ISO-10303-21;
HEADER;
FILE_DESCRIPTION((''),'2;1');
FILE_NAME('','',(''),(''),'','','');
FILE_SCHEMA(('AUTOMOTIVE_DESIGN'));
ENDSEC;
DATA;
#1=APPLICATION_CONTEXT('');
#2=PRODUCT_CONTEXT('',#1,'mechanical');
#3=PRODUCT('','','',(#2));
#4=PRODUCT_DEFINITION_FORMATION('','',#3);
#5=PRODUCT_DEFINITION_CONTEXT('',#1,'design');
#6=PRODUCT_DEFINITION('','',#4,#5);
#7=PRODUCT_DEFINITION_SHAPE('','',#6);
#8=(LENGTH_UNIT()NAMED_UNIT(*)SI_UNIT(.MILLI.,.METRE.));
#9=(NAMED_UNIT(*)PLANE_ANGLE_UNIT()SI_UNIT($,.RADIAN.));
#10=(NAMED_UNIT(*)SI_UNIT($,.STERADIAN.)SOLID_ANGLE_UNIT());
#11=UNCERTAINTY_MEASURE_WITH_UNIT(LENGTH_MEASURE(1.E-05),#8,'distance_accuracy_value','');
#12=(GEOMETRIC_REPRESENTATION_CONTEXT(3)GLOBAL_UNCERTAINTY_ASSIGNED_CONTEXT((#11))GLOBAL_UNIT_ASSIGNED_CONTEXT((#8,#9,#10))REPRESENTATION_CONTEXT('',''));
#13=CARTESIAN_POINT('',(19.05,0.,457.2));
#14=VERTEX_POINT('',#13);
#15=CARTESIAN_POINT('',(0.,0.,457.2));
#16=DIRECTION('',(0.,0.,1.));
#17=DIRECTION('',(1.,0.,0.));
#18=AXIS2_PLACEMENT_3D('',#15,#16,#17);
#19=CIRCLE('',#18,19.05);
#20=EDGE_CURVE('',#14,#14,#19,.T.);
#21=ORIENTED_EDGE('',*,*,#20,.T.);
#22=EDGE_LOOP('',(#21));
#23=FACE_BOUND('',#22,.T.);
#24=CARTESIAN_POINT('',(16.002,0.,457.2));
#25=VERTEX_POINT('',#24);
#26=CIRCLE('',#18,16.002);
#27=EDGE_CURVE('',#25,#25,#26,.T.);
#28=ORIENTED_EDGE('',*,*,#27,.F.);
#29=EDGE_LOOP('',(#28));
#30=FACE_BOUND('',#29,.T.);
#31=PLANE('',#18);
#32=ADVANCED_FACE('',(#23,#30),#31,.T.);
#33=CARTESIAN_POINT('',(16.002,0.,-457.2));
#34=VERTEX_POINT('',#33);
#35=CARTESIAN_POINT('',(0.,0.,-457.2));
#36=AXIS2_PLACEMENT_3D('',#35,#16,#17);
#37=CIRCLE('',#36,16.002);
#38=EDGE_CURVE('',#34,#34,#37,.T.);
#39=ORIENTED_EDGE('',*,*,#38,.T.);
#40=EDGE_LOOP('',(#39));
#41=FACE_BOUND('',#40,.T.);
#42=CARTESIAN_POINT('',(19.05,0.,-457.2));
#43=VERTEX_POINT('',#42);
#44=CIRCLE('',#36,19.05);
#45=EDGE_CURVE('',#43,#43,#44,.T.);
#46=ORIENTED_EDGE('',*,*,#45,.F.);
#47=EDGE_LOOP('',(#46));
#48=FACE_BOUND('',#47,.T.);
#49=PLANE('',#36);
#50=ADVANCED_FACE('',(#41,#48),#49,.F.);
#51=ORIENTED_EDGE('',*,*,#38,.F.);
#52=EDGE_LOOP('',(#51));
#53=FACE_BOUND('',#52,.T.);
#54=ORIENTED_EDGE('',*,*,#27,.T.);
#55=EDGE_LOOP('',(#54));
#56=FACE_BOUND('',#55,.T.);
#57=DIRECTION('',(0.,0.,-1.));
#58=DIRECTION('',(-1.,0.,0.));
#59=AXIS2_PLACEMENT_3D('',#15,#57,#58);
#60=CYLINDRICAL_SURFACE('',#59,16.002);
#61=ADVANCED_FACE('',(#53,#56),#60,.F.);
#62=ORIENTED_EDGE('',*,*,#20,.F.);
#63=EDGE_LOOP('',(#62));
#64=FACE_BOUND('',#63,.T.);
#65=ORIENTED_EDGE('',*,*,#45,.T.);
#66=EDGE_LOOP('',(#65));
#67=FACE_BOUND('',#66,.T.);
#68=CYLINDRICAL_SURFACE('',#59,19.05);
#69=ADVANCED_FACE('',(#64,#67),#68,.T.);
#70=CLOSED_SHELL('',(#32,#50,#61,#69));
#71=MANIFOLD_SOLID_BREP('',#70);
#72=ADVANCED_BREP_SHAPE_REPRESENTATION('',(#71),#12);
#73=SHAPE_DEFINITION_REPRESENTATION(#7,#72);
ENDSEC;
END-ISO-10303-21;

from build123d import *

# Parameters (mm, degrees)
BOSS_EXTRUDE1_DEPTH      = 457.2
BOSS_EXTRUDE1_DEPTH_BACK = 457.2
SKETCH3_R                = 19.05
SKETCH3_R_2              = 16.002


with BuildPart() as part:
    # Sketch3 → Boss-Extrude1 (new, two sides: drawn at the far end of the back side and taken through both)
    with BuildSketch(Plane.XY.offset(-BOSS_EXTRUDE1_DEPTH_BACK)):
        Circle(SKETCH3_R)
        Circle(SKETCH3_R_2, mode=Mode.SUBTRACT)
    extrude(amount=BOSS_EXTRUDE1_DEPTH + BOSS_EXTRUDE1_DEPTH_BACK)


solid = part.part
